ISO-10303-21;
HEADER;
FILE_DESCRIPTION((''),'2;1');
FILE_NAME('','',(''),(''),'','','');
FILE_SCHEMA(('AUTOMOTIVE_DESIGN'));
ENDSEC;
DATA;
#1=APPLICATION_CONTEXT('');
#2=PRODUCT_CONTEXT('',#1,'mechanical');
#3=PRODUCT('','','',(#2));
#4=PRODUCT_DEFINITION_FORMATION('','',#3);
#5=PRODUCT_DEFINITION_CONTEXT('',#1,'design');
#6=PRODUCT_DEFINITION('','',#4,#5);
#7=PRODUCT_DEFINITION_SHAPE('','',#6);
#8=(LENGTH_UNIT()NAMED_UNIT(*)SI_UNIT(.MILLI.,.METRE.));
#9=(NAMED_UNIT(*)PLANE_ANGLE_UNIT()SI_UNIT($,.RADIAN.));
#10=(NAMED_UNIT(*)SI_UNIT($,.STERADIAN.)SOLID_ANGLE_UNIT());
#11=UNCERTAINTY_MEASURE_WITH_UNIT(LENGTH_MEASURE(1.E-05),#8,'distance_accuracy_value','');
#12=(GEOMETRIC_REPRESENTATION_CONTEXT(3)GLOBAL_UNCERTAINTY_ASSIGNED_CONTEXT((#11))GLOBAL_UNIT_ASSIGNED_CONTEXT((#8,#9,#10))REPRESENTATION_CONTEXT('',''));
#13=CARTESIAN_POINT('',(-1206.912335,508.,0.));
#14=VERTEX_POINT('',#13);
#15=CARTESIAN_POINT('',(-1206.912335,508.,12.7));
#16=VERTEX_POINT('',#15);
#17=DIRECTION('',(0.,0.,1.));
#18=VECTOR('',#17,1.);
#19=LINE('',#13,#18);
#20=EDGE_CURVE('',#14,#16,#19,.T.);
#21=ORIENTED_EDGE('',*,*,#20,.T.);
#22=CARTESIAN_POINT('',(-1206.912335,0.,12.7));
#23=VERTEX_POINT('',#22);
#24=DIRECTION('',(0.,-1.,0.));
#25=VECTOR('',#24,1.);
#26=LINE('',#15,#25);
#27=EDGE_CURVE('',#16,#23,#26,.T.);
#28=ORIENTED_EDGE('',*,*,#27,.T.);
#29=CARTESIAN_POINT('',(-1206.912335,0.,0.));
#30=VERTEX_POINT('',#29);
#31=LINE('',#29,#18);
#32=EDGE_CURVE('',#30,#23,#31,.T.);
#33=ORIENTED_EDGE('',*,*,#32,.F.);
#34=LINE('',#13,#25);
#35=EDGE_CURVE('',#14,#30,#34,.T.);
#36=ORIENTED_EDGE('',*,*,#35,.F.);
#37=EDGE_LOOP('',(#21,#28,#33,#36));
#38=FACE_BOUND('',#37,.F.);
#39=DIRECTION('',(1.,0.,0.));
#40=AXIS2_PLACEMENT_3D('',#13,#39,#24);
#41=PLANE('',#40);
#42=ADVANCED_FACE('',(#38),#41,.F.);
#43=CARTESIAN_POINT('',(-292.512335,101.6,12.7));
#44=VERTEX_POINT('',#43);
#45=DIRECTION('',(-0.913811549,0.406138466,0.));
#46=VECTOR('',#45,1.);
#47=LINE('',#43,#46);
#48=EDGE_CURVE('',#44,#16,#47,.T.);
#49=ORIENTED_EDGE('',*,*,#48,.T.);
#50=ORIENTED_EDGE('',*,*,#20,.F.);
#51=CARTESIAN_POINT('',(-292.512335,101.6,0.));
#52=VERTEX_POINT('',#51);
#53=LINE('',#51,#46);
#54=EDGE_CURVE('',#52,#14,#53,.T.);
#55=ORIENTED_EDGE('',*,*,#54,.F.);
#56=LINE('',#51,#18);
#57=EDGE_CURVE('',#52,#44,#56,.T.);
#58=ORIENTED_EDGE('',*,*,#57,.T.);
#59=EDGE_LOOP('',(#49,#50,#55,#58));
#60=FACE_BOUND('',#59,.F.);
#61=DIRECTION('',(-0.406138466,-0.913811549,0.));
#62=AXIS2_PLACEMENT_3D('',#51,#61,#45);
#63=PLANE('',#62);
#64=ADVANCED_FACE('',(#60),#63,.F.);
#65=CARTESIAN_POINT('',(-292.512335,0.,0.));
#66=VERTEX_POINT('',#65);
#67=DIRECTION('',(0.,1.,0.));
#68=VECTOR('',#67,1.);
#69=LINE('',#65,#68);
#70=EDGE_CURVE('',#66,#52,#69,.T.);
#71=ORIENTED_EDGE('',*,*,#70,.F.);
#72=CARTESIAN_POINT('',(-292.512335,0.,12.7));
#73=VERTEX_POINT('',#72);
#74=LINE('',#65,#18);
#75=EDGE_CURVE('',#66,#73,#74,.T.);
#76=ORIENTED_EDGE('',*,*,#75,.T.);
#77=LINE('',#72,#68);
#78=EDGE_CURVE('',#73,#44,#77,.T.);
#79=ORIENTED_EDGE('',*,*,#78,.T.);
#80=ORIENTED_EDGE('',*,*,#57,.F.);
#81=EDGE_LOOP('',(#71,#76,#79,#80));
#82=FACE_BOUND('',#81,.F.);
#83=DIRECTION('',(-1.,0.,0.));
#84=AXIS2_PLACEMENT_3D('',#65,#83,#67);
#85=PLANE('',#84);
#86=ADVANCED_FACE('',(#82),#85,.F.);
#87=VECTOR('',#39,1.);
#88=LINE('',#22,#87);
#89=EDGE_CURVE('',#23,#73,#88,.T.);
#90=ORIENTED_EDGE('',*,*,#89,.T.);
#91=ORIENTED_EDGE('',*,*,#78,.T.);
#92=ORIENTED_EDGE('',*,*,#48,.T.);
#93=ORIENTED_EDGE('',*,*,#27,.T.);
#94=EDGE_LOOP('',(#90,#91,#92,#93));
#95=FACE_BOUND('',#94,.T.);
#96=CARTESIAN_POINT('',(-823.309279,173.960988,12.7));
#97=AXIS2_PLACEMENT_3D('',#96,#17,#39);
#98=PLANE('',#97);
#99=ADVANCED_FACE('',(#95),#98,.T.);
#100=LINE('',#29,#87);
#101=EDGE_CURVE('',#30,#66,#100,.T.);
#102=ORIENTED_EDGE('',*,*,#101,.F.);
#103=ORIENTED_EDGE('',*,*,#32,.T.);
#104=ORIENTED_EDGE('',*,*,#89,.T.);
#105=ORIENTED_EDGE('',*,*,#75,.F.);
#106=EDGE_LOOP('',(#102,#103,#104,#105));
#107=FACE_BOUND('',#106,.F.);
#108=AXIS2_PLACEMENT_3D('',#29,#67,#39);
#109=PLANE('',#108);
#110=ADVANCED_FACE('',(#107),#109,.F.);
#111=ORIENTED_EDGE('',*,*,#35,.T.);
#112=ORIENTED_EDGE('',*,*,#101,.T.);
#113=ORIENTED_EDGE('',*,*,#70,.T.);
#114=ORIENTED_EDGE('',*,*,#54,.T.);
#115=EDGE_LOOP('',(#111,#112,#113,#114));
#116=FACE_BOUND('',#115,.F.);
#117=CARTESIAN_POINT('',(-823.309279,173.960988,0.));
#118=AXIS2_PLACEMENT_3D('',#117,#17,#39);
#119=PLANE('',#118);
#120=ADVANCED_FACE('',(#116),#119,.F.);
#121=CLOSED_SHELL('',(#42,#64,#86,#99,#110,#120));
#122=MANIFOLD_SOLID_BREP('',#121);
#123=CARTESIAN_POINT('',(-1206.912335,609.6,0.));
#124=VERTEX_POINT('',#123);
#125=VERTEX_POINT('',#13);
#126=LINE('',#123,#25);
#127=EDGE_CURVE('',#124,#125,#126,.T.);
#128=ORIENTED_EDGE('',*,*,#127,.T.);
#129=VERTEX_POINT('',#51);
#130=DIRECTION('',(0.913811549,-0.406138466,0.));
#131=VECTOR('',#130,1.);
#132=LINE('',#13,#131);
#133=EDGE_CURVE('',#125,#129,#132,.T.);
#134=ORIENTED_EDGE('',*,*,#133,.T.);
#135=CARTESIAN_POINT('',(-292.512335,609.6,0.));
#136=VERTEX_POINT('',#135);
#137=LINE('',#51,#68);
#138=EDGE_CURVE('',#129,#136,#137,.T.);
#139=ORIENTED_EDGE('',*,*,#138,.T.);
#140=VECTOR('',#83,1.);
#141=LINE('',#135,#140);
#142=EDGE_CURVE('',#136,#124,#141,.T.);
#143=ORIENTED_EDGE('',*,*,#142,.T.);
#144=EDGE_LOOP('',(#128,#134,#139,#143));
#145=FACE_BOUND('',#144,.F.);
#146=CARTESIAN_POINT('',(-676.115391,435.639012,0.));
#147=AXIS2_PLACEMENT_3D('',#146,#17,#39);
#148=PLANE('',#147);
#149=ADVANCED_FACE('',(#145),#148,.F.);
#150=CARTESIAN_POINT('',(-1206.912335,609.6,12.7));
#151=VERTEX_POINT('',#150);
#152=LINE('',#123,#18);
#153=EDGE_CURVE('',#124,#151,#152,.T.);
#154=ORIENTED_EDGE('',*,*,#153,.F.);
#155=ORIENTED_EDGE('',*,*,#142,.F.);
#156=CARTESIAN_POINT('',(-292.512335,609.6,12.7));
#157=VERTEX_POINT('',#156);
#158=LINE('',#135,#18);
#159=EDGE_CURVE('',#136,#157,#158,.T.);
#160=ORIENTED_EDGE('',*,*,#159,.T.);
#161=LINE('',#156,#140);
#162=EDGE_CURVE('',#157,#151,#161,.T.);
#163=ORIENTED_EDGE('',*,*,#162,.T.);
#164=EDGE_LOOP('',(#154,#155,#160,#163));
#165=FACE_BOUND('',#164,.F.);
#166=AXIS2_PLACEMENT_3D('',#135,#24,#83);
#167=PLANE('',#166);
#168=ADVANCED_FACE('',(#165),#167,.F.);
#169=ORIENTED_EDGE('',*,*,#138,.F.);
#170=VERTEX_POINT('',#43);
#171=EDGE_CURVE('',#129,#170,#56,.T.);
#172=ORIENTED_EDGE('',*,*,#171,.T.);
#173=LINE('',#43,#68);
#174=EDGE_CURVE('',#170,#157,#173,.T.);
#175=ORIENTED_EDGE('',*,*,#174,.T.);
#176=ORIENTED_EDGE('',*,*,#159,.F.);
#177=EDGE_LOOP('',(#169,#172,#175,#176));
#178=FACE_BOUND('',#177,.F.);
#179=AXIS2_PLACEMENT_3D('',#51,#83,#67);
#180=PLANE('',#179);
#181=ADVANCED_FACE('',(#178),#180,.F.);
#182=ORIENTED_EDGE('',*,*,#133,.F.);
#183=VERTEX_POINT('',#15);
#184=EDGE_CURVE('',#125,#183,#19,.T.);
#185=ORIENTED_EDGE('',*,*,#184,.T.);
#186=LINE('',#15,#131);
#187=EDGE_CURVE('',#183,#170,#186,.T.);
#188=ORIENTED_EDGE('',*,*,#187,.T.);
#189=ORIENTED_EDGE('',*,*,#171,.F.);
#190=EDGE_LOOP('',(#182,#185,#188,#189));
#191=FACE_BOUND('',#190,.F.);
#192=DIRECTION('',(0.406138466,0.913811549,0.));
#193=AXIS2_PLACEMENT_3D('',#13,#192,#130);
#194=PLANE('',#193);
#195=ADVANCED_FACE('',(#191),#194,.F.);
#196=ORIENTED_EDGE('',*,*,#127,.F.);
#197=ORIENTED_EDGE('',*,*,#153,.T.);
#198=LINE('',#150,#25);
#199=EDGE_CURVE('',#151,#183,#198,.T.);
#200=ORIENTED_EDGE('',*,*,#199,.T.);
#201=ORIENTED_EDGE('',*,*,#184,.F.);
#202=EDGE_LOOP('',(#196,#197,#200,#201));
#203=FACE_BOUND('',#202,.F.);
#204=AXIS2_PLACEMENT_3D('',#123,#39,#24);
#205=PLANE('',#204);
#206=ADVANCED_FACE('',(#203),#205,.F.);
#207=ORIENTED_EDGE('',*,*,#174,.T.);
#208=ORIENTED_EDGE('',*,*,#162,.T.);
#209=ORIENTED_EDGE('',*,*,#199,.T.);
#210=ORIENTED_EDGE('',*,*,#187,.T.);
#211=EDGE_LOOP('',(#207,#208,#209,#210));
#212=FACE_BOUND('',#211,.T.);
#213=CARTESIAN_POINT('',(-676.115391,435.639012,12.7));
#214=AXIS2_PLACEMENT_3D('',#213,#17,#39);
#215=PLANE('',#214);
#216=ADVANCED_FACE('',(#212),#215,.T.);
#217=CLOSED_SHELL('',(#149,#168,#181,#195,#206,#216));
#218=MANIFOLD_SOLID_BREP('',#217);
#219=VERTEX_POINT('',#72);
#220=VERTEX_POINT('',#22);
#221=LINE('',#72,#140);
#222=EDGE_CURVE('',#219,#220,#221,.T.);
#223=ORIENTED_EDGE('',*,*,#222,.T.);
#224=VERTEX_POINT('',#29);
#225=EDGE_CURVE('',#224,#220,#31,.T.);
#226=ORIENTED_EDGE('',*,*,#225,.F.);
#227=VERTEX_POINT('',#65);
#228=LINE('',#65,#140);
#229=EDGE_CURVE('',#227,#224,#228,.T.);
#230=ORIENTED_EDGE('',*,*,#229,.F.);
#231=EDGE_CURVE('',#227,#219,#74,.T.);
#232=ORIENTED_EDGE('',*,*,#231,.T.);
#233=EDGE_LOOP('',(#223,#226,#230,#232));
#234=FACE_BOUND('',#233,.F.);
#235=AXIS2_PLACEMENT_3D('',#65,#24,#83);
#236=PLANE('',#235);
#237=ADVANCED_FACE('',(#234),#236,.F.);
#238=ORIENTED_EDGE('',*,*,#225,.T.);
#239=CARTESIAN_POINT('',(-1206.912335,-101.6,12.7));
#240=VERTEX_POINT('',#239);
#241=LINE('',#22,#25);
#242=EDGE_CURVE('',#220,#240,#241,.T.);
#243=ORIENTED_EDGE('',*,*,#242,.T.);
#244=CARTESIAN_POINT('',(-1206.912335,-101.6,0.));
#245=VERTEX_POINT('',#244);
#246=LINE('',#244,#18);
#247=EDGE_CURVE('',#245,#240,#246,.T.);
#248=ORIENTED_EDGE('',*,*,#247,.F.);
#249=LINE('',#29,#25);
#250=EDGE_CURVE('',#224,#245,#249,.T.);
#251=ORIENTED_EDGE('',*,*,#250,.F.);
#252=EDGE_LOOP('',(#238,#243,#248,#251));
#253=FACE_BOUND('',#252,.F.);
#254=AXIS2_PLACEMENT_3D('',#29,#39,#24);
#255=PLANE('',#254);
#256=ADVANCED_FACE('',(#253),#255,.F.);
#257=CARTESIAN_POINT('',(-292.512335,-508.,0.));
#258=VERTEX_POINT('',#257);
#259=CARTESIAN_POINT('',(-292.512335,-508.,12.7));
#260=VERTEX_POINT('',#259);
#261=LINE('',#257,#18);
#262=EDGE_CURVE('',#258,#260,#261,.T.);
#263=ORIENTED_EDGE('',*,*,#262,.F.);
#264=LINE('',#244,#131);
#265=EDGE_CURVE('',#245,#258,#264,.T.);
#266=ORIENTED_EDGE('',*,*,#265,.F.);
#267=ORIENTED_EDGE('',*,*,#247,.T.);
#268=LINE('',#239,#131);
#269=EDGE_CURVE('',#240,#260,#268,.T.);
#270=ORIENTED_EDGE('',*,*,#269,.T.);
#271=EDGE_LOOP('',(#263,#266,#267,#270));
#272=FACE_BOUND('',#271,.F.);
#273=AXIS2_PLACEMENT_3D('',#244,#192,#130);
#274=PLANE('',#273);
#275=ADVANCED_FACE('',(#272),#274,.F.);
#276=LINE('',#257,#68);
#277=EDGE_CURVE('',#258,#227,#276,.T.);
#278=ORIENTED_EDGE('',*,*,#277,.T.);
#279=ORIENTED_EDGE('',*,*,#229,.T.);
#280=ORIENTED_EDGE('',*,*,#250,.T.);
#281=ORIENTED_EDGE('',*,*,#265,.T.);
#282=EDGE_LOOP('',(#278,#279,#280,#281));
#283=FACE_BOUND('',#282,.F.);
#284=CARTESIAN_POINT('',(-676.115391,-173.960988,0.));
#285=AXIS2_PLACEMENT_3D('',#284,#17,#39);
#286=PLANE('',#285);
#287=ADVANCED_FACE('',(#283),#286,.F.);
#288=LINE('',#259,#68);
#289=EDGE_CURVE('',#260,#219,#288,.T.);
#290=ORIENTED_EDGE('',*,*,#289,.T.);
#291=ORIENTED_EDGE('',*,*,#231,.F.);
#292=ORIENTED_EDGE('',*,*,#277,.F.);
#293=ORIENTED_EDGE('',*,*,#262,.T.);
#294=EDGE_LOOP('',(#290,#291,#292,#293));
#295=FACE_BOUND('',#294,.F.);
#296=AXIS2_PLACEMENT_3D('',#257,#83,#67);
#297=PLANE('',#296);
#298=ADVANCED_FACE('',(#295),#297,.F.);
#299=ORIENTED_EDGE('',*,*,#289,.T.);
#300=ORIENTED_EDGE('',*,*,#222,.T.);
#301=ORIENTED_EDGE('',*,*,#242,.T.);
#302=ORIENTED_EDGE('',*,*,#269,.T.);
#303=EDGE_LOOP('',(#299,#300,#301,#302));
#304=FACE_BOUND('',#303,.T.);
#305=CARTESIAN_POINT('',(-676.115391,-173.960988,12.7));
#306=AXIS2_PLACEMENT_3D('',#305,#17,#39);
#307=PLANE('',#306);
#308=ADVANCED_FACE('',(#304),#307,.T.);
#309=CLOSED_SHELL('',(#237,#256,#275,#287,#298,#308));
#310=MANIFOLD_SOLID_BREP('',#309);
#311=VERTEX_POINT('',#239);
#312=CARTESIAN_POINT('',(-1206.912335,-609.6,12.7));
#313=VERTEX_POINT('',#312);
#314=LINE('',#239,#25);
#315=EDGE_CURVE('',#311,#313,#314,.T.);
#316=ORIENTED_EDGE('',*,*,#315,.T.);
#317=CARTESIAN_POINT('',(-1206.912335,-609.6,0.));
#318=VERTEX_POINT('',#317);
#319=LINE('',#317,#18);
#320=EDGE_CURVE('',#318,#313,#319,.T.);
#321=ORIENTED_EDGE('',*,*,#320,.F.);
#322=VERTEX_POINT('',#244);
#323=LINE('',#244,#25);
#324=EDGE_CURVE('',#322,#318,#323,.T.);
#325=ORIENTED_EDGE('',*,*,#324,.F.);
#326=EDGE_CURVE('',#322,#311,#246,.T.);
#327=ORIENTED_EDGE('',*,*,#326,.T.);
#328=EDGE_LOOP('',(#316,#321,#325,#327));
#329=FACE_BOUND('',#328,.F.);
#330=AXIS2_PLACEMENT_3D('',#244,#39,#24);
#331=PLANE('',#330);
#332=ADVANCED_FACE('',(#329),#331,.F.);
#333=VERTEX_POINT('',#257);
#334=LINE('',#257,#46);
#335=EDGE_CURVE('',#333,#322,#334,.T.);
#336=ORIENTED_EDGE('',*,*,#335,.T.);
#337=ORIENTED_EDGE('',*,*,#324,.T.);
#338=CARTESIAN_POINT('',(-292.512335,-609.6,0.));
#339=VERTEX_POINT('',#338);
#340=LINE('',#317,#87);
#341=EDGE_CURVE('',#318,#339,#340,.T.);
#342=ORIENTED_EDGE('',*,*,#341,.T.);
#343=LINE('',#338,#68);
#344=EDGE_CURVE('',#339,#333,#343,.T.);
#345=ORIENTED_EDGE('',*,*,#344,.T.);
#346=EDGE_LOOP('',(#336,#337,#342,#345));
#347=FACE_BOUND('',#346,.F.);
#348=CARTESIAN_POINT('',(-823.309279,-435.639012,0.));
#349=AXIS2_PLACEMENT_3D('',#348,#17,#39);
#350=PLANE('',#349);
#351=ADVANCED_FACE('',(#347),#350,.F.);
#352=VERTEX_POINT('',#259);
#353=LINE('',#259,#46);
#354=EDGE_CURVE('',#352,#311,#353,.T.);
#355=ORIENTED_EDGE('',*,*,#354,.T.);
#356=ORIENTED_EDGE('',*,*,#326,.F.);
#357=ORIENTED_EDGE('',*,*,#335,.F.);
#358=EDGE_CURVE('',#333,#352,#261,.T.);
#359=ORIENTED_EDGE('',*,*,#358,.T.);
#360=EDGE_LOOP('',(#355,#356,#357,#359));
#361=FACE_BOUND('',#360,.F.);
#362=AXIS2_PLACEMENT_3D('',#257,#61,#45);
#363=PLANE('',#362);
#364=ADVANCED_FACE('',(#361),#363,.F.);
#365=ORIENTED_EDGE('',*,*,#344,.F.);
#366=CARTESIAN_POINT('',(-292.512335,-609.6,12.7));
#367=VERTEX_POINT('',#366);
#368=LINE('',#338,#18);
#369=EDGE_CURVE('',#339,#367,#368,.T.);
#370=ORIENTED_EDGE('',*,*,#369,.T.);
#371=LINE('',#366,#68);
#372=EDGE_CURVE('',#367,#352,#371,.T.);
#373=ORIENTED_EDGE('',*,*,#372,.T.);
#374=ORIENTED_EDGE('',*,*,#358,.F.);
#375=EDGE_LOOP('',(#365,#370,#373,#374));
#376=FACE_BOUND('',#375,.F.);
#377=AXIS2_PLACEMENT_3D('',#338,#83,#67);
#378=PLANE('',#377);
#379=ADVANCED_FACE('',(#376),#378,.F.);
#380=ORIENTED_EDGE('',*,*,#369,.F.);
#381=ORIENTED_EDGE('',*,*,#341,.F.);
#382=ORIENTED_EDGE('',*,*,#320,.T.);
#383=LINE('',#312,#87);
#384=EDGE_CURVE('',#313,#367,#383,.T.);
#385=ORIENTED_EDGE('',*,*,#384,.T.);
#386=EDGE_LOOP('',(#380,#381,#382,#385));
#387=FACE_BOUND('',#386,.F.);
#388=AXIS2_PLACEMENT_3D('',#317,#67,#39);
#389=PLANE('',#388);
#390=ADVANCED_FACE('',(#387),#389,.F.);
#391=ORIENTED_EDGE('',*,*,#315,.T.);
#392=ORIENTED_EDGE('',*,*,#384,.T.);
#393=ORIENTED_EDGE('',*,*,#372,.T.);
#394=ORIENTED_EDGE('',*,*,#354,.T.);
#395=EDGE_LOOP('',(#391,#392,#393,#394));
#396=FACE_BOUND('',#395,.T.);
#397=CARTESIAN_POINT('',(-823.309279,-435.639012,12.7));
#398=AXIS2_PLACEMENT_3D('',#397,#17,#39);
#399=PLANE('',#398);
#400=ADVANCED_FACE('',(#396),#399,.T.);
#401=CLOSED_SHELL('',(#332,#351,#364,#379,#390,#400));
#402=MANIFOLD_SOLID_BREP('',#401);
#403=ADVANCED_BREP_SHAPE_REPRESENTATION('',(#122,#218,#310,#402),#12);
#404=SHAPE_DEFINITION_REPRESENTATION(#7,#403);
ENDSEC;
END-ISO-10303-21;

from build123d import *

# Parameters (mm, degrees)
F1_DEPTH = 12.7
F2_DEPTH = 12.7
F3_DEPTH = 12.7
F4_DEPTH = 12.7


with BuildPart() as f1:
    # F0 (on Top) → F1 (new body)
    with BuildSketch(Plane.XY):
        Polygon((-292.512335, 609.6), (-1206.912335, 609.6), (-1206.912335, 508), (-292.512335, 101.6), align=None)
    extrude(amount=F1_DEPTH)


with BuildPart() as f2:
    # F0 (on Top) → F2 (new body)
    with BuildSketch(Plane.XY):
        Polygon((-292.512335, 101.6), (-1206.912335, 508), (-1206.912335, 0), (-292.512335, 0), align=None)
    extrude(amount=F2_DEPTH)


with BuildPart() as f3:
    # F0 (on Top) → F3 (new body)
    with BuildSketch(Plane.XY):
        Polygon((-292.512335, 0), (-1206.912335, 0), (-1206.912335, -101.6), (-292.512335, -508), align=None)
    extrude(amount=F3_DEPTH)


with BuildPart() as f4:
    # F0 (on Top) → F4 (new body)
    with BuildSketch(Plane.XY):
        Polygon((-292.512335, -508), (-1206.912335, -101.6), (-1206.912335, -609.6), (-292.512335, -609.6), align=None)
    extrude(amount=F4_DEPTH)


solid = Compound([f1.part, f2.part, f3.part, f4.part])
